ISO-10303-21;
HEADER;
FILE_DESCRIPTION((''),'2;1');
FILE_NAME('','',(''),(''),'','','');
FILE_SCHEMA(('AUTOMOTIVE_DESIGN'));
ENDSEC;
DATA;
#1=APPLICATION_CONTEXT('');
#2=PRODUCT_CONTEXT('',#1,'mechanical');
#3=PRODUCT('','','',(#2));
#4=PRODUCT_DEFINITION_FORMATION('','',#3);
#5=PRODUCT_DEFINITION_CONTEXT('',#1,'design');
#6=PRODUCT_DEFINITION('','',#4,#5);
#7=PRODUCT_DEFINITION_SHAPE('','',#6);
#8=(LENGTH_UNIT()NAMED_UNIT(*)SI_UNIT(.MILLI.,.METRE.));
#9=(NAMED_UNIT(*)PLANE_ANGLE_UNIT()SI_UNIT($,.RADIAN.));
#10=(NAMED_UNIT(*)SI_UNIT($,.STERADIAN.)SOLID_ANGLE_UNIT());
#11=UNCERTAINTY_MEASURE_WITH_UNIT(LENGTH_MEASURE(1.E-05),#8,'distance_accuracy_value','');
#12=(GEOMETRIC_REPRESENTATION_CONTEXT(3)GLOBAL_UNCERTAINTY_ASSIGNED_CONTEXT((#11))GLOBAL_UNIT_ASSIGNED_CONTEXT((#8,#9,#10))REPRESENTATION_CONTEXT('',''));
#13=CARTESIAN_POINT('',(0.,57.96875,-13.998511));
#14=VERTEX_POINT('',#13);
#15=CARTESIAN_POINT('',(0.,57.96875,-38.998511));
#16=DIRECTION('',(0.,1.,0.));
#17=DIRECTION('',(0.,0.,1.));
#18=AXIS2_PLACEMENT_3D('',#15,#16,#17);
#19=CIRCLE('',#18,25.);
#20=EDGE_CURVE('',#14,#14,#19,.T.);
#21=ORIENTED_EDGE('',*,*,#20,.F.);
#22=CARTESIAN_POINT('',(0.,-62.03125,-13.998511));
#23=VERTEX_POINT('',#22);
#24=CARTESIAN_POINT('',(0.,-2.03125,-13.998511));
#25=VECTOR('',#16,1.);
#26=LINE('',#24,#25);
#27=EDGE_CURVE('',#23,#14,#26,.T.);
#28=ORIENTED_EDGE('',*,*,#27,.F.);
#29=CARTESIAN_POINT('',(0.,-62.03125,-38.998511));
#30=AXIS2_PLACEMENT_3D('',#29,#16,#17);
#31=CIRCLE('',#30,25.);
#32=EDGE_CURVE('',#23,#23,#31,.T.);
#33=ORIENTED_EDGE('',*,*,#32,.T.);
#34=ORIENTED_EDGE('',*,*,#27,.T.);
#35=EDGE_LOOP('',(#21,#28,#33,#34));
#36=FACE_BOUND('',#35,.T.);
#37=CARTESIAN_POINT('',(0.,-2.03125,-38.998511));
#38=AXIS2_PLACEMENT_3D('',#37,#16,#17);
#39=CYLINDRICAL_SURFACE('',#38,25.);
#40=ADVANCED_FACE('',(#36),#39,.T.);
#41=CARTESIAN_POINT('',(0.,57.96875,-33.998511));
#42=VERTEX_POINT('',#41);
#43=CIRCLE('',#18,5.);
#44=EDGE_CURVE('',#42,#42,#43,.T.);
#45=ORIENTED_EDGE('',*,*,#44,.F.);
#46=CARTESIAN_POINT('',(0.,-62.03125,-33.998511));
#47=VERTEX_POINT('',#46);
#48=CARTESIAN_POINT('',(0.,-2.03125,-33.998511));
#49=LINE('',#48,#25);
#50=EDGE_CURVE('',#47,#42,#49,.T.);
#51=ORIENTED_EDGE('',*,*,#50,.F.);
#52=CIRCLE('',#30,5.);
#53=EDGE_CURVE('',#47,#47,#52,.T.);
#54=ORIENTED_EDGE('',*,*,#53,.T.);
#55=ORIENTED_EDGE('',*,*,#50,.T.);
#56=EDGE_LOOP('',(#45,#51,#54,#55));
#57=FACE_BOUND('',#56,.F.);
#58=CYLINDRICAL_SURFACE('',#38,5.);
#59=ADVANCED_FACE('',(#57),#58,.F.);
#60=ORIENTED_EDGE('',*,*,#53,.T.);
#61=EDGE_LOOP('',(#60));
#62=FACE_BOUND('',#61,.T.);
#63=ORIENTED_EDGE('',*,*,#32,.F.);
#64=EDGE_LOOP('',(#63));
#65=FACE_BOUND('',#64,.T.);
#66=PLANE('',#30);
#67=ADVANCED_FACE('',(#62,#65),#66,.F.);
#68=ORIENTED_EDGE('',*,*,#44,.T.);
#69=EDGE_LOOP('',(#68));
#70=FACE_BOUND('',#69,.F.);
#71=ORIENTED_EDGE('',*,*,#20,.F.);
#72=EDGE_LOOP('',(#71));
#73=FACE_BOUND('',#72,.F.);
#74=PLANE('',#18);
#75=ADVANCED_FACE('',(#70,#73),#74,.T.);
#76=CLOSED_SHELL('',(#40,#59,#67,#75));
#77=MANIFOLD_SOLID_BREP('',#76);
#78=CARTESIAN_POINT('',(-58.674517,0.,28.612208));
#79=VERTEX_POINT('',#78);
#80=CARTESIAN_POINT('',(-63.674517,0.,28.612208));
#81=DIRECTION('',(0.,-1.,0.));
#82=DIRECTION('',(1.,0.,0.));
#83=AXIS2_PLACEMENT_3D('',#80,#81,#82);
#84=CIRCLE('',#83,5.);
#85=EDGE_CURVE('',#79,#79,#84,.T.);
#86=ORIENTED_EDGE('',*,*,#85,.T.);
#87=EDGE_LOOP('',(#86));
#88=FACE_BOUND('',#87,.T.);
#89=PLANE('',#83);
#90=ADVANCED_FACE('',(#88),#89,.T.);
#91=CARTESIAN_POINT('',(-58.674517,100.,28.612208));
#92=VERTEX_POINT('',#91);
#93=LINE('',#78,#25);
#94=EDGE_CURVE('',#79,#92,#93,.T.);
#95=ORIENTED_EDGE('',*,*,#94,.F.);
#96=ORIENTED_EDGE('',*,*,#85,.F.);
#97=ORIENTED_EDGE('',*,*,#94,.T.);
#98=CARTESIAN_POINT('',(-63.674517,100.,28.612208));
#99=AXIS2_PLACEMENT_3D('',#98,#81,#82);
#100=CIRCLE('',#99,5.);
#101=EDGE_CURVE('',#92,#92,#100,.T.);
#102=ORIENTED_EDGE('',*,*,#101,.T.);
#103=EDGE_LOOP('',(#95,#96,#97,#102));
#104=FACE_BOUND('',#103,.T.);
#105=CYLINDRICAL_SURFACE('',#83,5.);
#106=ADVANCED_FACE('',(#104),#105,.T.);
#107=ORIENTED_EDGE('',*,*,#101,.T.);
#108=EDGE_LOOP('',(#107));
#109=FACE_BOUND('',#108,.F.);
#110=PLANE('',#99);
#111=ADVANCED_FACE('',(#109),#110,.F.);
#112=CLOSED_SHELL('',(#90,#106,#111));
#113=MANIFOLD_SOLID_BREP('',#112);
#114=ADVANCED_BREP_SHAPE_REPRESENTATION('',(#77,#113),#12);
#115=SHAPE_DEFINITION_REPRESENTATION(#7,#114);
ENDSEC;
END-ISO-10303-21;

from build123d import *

# Parameters (mm, degrees)
F0_R     = 5
F1_DEPTH = 100
F2_W     = 120
F2_H     = 20


with BuildPart() as f1:
    # F0 (on Front) → F1 (new body)
    with BuildSketch(Plane.XZ):
        with Locations((-63.674517, 28.612208)):
            Circle(F0_R)
    extrude(amount=-F1_DEPTH)


with BuildPart() as f3:
    # F2 (on Right) → F3 (revolve)
    with BuildSketch(Plane.YZ):
        with Locations((-2.03125, -23.998511)):
            Rectangle(F2_W, F2_H)
    revolve(axis=Axis((0, -2.03125, -38.998511), (0, 1, 0)))


solid = Compound([f1.part, f3.part])
